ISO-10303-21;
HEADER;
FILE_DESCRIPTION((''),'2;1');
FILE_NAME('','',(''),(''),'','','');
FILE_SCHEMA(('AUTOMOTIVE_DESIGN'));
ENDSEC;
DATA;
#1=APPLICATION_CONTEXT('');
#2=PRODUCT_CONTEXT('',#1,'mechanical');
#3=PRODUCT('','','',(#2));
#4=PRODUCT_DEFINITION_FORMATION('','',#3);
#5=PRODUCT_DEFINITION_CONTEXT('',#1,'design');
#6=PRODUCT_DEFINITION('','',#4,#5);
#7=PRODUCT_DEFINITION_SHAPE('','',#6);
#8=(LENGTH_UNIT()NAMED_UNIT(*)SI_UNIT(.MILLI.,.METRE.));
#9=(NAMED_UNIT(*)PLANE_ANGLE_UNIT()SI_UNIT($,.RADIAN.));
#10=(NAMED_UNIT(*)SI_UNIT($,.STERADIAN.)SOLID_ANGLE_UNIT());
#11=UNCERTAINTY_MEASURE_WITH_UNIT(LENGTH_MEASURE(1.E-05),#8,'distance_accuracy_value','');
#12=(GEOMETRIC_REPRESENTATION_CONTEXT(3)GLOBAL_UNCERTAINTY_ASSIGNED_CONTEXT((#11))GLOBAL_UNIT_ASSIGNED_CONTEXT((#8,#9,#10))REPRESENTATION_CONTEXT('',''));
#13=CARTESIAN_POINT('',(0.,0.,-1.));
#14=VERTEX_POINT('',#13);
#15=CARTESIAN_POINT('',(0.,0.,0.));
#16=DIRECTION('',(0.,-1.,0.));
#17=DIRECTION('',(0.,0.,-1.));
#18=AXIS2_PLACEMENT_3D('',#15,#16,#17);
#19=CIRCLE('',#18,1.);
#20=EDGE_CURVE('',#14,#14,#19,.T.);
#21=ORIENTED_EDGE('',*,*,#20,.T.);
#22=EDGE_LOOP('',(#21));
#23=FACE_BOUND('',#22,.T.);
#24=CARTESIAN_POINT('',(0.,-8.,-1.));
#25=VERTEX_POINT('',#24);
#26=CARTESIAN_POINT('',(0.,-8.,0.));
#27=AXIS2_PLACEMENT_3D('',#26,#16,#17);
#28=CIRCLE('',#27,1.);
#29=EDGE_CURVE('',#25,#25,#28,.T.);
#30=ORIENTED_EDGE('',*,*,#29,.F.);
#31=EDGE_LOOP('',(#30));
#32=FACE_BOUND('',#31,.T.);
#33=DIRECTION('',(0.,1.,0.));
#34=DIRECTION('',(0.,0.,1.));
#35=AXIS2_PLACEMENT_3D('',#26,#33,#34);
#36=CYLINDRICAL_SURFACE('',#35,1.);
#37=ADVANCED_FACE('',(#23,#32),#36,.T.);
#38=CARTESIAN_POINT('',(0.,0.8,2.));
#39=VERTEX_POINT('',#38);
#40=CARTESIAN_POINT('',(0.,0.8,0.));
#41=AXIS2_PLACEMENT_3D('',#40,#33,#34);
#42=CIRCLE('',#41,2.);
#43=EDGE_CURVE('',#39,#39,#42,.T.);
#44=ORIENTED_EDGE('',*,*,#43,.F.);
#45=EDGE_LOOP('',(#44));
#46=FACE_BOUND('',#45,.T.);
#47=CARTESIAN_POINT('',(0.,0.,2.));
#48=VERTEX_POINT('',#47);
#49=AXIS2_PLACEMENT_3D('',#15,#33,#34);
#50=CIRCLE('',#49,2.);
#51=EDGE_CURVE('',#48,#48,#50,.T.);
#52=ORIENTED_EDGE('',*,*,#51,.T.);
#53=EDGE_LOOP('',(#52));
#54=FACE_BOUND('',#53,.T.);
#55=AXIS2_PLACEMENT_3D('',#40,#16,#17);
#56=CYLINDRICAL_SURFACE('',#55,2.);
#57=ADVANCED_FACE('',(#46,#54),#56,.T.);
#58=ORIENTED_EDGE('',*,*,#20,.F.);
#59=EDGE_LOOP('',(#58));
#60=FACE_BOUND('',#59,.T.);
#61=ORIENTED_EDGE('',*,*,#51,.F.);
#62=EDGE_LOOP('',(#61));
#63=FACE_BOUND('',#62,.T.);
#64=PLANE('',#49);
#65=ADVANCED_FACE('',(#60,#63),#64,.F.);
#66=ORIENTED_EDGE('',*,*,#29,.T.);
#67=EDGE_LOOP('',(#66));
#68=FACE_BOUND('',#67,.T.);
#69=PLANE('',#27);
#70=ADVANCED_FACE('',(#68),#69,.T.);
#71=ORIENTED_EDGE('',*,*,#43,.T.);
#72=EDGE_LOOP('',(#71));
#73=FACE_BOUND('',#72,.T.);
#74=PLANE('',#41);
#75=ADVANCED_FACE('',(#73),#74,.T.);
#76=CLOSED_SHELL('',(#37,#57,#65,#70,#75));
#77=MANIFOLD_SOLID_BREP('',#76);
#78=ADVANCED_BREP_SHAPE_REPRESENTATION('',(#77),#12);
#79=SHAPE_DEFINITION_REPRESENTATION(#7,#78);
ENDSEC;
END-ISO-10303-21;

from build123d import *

# Parameters (mm, degrees)
SKETCH_1_R      = 2
EXTRUDE_1_DEPTH = 0.8
SKETCH_2_R      = 1
EXTRUDE_2_DEPTH = 8


with BuildPart() as part:
    # 草图1 → 凸台-拉伸1 (new body)
    with BuildSketch(Plane(origin=(0, 0, 0), x_dir=(1, 0, 0), z_dir=(0, 1, 0))):
        with Locations(Location((0, 0, 0), (0, 0, 270))):
            Circle(SKETCH_1_R)
    extrude(amount=EXTRUDE_1_DEPTH)

    # 草图2 → 凸台-拉伸2 (add)
    with BuildSketch(Plane.XZ):
        with Locations(Location((0, 0, 0), (0, 0, 270))):
            Circle(SKETCH_2_R)
    extrude(amount=EXTRUDE_2_DEPTH)


solid = part.part
